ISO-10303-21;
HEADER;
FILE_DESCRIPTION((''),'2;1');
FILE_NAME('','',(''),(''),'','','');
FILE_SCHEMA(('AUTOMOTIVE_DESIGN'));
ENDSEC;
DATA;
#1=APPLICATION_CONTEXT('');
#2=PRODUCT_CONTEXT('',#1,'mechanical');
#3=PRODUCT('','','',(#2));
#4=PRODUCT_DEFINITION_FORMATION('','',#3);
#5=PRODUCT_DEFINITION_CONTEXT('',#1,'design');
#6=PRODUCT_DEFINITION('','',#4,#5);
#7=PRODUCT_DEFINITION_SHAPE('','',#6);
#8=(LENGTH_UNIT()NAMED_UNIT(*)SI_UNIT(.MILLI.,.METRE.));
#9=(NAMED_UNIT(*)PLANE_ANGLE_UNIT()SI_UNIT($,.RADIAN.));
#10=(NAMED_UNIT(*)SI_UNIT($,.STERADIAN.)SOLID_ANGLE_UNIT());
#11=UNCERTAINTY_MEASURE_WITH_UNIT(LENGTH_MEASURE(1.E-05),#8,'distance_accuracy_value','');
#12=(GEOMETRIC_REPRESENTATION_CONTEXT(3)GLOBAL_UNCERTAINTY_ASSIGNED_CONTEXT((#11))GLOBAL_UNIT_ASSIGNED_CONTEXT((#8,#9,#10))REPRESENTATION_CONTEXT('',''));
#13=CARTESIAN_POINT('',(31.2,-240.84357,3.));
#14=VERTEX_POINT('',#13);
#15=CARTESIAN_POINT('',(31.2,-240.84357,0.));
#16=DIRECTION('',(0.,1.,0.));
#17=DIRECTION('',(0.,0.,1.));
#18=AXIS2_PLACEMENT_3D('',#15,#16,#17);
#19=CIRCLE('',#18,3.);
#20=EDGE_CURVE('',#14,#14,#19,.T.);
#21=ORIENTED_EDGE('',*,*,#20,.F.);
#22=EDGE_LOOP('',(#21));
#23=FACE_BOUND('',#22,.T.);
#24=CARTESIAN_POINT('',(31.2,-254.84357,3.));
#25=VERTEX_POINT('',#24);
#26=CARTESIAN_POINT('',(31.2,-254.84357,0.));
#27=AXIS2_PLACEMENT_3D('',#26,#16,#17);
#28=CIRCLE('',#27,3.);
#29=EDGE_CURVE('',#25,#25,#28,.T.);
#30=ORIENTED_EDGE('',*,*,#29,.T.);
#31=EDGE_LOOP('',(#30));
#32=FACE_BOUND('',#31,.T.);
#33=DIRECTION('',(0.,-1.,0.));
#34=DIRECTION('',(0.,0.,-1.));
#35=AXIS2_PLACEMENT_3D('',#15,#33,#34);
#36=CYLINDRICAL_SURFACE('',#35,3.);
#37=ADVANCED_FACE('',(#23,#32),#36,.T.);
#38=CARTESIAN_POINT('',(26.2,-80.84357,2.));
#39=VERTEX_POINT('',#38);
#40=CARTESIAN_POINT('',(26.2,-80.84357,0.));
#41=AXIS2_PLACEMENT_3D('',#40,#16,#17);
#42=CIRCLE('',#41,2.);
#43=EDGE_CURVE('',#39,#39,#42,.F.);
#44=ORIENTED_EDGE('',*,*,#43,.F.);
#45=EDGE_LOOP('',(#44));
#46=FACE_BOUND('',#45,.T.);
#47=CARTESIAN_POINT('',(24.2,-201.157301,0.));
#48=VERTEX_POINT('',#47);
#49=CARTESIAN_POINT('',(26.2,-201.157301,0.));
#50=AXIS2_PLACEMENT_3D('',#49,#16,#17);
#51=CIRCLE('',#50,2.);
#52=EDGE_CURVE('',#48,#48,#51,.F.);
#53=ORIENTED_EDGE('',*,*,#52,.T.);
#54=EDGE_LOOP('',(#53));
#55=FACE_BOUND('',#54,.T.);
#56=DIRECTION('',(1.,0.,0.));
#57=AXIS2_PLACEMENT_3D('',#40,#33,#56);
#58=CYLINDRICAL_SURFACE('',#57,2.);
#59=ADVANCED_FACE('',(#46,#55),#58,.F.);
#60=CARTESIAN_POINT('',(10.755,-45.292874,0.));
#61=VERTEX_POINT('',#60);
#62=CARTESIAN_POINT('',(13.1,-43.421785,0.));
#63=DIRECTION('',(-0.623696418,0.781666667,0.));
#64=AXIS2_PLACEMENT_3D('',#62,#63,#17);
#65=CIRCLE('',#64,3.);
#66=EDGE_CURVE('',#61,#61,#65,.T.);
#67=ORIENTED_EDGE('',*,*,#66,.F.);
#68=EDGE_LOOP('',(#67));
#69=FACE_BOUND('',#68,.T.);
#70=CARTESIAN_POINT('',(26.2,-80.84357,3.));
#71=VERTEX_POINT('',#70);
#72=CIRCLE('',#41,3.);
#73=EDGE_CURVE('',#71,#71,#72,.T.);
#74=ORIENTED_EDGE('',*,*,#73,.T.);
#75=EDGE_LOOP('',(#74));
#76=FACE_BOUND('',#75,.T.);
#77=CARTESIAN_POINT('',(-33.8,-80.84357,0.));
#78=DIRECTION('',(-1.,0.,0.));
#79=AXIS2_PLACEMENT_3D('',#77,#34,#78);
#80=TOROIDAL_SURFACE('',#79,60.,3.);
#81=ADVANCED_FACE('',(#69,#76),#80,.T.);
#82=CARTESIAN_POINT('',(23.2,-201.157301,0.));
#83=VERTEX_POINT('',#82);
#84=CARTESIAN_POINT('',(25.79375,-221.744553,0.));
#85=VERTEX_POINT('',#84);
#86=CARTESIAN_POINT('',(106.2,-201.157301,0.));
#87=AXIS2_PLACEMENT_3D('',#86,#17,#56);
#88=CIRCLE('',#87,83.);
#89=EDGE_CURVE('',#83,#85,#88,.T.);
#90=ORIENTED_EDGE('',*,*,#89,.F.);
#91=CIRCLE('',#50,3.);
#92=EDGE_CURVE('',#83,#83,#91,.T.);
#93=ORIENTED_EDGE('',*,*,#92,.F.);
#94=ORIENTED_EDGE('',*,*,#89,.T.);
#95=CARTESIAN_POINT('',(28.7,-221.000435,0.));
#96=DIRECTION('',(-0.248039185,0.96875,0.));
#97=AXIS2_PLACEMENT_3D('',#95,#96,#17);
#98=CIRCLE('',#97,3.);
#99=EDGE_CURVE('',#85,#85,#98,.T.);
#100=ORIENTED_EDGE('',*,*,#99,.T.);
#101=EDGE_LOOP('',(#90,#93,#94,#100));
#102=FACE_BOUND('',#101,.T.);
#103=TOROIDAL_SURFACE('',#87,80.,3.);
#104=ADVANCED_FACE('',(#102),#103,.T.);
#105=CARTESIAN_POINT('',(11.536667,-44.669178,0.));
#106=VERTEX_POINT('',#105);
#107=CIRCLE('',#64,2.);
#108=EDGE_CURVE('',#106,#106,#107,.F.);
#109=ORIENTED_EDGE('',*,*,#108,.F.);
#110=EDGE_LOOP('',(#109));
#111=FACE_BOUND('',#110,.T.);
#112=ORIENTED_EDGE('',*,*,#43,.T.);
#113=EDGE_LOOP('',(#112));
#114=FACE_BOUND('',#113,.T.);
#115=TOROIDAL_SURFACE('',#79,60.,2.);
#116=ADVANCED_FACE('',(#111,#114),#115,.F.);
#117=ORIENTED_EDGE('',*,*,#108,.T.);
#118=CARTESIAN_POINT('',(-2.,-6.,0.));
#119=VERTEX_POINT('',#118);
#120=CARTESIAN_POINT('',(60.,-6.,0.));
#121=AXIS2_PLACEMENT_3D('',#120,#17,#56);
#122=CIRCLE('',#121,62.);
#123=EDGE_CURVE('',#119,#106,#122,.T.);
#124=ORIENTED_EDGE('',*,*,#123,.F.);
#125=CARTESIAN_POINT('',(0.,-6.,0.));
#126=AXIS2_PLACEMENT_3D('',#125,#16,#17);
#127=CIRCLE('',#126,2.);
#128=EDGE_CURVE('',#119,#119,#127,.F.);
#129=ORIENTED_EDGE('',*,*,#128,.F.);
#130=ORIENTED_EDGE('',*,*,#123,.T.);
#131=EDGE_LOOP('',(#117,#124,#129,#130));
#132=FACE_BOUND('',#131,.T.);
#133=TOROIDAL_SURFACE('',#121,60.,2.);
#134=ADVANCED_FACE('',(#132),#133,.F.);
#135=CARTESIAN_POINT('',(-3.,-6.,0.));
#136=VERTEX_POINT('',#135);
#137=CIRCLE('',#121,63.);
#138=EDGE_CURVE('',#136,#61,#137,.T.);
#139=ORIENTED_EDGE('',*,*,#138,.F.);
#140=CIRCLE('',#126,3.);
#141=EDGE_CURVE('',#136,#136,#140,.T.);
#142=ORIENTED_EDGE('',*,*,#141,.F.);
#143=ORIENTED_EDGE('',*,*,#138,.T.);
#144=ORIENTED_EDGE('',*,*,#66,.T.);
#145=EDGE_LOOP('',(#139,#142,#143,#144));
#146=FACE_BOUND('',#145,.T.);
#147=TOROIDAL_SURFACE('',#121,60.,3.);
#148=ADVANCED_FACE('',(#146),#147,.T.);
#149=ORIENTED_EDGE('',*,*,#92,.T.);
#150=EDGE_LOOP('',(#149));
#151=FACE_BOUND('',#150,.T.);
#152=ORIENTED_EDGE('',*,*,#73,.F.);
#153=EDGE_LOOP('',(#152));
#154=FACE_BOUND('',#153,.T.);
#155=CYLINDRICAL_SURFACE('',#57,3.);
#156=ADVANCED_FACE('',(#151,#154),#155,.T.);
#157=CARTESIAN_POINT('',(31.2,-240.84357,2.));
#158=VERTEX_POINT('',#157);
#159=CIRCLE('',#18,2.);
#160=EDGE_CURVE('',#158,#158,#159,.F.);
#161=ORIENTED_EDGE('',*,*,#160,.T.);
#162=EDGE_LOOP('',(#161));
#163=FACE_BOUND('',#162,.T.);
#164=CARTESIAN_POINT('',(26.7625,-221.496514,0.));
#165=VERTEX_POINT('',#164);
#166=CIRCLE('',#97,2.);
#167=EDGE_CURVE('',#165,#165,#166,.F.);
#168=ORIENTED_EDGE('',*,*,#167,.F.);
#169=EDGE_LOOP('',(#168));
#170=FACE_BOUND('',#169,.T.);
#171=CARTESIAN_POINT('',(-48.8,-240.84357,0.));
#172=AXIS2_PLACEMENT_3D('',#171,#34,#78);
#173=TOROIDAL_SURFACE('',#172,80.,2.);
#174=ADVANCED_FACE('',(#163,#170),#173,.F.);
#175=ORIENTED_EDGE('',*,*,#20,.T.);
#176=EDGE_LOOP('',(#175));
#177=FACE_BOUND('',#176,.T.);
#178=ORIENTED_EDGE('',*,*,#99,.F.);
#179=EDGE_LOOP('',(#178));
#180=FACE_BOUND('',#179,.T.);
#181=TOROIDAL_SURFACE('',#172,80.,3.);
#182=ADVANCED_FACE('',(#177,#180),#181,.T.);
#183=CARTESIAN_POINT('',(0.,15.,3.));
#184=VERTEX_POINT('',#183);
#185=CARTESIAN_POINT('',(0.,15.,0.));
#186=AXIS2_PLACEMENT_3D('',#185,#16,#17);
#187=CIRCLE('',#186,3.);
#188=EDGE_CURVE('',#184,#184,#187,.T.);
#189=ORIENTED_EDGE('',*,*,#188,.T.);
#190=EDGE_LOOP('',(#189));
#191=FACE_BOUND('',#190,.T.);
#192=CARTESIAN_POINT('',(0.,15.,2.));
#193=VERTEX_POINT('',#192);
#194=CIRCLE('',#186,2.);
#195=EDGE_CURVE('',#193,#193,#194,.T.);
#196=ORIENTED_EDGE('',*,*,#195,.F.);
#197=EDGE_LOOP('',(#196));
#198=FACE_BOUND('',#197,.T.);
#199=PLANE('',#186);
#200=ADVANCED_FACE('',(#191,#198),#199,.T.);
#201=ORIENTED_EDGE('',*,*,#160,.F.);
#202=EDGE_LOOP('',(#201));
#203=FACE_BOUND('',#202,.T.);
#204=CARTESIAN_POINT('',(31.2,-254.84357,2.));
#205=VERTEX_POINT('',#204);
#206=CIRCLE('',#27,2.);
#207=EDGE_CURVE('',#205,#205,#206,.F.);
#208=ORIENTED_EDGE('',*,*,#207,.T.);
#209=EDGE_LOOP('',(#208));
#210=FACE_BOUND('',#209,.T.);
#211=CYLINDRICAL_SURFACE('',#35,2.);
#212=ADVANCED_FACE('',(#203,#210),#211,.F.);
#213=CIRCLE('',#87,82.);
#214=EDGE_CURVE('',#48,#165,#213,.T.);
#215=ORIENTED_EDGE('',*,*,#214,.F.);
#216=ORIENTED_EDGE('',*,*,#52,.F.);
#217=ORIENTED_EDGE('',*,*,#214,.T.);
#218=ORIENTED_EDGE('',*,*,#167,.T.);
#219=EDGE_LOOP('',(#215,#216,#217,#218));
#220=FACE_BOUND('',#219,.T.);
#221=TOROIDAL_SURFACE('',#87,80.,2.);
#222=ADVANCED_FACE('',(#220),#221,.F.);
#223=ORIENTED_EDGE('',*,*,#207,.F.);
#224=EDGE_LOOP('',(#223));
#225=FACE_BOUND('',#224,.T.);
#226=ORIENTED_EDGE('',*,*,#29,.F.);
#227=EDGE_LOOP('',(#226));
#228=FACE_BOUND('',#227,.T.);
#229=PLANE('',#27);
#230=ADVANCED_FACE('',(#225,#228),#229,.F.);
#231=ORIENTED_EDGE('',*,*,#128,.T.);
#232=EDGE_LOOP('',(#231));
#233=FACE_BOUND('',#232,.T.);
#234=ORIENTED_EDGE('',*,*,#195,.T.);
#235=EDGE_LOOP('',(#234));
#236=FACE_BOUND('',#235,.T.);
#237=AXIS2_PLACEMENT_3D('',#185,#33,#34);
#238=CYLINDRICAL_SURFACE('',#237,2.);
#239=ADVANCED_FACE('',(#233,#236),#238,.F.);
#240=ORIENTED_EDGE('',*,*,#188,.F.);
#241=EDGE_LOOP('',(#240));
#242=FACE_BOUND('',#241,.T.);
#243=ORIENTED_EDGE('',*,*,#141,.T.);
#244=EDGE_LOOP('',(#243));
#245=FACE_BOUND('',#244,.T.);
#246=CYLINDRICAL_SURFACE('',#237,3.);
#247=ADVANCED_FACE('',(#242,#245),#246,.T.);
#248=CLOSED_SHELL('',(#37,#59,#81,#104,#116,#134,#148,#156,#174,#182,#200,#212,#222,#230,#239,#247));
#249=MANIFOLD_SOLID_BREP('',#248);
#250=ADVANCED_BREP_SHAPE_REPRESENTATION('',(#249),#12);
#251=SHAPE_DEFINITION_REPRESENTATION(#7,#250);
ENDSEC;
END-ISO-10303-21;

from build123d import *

# Parameters (mm, degrees)
SKETCH_1_R      = 3
SKETCH_1_R_2    = 2
EXTRUDE_1_DEPTH = 15
SKETCH_1_2_R    = 3
SKETCH_1_2_R_2  = 2


with BuildPart() as part:
    # Эскиз1 → Бобышка-Вытянуть1 (new body)
    with BuildSketch(Plane(origin=(0, 0, 0), x_dir=(1, 0, 0), z_dir=(0, 1, 0))):
        Circle(SKETCH_1_R)
        Circle(SKETCH_1_R_2, mode=Mode.SUBTRACT)
    extrude(amount=EXTRUDE_1_DEPTH)

    # По траектории1: sweep along a path in Sketch 296
    with BuildLine(Plane.XY) as sweep_1_path:
        Line((0, 0), (0, -6))
        ThreePointArc((0, -6), (3.369619461, -25.824227602), (13.1, -43.421785099))
        ThreePointArc((13.1, -43.421785099), (22.830380539, -61.019342597), (26.2, -80.843570198))
        Line((26.2, -80.843570198), (26.2, -201.157300532))
        ThreePointArc((26.2, -201.157300532), (26.827460668, -211.157300532), (28.7, -221.000435365))
        ThreePointArc((28.7, -221.000435365), (30.572539332, -230.843570198), (31.2, -240.843570198))
        Line((31.2, -240.843570198), (31.2, -254.843570198))
    # Эскиз1<2> → По траектории1 (sweep)
    with BuildSketch(Plane(origin=(0, 0, 0), x_dir=(1, 0, 0), z_dir=(0, 1, 0))):
        Circle(SKETCH_1_2_R)
        Circle(SKETCH_1_2_R_2, mode=Mode.SUBTRACT)
    sweep(path=sweep_1_path.line)


solid = part.part
